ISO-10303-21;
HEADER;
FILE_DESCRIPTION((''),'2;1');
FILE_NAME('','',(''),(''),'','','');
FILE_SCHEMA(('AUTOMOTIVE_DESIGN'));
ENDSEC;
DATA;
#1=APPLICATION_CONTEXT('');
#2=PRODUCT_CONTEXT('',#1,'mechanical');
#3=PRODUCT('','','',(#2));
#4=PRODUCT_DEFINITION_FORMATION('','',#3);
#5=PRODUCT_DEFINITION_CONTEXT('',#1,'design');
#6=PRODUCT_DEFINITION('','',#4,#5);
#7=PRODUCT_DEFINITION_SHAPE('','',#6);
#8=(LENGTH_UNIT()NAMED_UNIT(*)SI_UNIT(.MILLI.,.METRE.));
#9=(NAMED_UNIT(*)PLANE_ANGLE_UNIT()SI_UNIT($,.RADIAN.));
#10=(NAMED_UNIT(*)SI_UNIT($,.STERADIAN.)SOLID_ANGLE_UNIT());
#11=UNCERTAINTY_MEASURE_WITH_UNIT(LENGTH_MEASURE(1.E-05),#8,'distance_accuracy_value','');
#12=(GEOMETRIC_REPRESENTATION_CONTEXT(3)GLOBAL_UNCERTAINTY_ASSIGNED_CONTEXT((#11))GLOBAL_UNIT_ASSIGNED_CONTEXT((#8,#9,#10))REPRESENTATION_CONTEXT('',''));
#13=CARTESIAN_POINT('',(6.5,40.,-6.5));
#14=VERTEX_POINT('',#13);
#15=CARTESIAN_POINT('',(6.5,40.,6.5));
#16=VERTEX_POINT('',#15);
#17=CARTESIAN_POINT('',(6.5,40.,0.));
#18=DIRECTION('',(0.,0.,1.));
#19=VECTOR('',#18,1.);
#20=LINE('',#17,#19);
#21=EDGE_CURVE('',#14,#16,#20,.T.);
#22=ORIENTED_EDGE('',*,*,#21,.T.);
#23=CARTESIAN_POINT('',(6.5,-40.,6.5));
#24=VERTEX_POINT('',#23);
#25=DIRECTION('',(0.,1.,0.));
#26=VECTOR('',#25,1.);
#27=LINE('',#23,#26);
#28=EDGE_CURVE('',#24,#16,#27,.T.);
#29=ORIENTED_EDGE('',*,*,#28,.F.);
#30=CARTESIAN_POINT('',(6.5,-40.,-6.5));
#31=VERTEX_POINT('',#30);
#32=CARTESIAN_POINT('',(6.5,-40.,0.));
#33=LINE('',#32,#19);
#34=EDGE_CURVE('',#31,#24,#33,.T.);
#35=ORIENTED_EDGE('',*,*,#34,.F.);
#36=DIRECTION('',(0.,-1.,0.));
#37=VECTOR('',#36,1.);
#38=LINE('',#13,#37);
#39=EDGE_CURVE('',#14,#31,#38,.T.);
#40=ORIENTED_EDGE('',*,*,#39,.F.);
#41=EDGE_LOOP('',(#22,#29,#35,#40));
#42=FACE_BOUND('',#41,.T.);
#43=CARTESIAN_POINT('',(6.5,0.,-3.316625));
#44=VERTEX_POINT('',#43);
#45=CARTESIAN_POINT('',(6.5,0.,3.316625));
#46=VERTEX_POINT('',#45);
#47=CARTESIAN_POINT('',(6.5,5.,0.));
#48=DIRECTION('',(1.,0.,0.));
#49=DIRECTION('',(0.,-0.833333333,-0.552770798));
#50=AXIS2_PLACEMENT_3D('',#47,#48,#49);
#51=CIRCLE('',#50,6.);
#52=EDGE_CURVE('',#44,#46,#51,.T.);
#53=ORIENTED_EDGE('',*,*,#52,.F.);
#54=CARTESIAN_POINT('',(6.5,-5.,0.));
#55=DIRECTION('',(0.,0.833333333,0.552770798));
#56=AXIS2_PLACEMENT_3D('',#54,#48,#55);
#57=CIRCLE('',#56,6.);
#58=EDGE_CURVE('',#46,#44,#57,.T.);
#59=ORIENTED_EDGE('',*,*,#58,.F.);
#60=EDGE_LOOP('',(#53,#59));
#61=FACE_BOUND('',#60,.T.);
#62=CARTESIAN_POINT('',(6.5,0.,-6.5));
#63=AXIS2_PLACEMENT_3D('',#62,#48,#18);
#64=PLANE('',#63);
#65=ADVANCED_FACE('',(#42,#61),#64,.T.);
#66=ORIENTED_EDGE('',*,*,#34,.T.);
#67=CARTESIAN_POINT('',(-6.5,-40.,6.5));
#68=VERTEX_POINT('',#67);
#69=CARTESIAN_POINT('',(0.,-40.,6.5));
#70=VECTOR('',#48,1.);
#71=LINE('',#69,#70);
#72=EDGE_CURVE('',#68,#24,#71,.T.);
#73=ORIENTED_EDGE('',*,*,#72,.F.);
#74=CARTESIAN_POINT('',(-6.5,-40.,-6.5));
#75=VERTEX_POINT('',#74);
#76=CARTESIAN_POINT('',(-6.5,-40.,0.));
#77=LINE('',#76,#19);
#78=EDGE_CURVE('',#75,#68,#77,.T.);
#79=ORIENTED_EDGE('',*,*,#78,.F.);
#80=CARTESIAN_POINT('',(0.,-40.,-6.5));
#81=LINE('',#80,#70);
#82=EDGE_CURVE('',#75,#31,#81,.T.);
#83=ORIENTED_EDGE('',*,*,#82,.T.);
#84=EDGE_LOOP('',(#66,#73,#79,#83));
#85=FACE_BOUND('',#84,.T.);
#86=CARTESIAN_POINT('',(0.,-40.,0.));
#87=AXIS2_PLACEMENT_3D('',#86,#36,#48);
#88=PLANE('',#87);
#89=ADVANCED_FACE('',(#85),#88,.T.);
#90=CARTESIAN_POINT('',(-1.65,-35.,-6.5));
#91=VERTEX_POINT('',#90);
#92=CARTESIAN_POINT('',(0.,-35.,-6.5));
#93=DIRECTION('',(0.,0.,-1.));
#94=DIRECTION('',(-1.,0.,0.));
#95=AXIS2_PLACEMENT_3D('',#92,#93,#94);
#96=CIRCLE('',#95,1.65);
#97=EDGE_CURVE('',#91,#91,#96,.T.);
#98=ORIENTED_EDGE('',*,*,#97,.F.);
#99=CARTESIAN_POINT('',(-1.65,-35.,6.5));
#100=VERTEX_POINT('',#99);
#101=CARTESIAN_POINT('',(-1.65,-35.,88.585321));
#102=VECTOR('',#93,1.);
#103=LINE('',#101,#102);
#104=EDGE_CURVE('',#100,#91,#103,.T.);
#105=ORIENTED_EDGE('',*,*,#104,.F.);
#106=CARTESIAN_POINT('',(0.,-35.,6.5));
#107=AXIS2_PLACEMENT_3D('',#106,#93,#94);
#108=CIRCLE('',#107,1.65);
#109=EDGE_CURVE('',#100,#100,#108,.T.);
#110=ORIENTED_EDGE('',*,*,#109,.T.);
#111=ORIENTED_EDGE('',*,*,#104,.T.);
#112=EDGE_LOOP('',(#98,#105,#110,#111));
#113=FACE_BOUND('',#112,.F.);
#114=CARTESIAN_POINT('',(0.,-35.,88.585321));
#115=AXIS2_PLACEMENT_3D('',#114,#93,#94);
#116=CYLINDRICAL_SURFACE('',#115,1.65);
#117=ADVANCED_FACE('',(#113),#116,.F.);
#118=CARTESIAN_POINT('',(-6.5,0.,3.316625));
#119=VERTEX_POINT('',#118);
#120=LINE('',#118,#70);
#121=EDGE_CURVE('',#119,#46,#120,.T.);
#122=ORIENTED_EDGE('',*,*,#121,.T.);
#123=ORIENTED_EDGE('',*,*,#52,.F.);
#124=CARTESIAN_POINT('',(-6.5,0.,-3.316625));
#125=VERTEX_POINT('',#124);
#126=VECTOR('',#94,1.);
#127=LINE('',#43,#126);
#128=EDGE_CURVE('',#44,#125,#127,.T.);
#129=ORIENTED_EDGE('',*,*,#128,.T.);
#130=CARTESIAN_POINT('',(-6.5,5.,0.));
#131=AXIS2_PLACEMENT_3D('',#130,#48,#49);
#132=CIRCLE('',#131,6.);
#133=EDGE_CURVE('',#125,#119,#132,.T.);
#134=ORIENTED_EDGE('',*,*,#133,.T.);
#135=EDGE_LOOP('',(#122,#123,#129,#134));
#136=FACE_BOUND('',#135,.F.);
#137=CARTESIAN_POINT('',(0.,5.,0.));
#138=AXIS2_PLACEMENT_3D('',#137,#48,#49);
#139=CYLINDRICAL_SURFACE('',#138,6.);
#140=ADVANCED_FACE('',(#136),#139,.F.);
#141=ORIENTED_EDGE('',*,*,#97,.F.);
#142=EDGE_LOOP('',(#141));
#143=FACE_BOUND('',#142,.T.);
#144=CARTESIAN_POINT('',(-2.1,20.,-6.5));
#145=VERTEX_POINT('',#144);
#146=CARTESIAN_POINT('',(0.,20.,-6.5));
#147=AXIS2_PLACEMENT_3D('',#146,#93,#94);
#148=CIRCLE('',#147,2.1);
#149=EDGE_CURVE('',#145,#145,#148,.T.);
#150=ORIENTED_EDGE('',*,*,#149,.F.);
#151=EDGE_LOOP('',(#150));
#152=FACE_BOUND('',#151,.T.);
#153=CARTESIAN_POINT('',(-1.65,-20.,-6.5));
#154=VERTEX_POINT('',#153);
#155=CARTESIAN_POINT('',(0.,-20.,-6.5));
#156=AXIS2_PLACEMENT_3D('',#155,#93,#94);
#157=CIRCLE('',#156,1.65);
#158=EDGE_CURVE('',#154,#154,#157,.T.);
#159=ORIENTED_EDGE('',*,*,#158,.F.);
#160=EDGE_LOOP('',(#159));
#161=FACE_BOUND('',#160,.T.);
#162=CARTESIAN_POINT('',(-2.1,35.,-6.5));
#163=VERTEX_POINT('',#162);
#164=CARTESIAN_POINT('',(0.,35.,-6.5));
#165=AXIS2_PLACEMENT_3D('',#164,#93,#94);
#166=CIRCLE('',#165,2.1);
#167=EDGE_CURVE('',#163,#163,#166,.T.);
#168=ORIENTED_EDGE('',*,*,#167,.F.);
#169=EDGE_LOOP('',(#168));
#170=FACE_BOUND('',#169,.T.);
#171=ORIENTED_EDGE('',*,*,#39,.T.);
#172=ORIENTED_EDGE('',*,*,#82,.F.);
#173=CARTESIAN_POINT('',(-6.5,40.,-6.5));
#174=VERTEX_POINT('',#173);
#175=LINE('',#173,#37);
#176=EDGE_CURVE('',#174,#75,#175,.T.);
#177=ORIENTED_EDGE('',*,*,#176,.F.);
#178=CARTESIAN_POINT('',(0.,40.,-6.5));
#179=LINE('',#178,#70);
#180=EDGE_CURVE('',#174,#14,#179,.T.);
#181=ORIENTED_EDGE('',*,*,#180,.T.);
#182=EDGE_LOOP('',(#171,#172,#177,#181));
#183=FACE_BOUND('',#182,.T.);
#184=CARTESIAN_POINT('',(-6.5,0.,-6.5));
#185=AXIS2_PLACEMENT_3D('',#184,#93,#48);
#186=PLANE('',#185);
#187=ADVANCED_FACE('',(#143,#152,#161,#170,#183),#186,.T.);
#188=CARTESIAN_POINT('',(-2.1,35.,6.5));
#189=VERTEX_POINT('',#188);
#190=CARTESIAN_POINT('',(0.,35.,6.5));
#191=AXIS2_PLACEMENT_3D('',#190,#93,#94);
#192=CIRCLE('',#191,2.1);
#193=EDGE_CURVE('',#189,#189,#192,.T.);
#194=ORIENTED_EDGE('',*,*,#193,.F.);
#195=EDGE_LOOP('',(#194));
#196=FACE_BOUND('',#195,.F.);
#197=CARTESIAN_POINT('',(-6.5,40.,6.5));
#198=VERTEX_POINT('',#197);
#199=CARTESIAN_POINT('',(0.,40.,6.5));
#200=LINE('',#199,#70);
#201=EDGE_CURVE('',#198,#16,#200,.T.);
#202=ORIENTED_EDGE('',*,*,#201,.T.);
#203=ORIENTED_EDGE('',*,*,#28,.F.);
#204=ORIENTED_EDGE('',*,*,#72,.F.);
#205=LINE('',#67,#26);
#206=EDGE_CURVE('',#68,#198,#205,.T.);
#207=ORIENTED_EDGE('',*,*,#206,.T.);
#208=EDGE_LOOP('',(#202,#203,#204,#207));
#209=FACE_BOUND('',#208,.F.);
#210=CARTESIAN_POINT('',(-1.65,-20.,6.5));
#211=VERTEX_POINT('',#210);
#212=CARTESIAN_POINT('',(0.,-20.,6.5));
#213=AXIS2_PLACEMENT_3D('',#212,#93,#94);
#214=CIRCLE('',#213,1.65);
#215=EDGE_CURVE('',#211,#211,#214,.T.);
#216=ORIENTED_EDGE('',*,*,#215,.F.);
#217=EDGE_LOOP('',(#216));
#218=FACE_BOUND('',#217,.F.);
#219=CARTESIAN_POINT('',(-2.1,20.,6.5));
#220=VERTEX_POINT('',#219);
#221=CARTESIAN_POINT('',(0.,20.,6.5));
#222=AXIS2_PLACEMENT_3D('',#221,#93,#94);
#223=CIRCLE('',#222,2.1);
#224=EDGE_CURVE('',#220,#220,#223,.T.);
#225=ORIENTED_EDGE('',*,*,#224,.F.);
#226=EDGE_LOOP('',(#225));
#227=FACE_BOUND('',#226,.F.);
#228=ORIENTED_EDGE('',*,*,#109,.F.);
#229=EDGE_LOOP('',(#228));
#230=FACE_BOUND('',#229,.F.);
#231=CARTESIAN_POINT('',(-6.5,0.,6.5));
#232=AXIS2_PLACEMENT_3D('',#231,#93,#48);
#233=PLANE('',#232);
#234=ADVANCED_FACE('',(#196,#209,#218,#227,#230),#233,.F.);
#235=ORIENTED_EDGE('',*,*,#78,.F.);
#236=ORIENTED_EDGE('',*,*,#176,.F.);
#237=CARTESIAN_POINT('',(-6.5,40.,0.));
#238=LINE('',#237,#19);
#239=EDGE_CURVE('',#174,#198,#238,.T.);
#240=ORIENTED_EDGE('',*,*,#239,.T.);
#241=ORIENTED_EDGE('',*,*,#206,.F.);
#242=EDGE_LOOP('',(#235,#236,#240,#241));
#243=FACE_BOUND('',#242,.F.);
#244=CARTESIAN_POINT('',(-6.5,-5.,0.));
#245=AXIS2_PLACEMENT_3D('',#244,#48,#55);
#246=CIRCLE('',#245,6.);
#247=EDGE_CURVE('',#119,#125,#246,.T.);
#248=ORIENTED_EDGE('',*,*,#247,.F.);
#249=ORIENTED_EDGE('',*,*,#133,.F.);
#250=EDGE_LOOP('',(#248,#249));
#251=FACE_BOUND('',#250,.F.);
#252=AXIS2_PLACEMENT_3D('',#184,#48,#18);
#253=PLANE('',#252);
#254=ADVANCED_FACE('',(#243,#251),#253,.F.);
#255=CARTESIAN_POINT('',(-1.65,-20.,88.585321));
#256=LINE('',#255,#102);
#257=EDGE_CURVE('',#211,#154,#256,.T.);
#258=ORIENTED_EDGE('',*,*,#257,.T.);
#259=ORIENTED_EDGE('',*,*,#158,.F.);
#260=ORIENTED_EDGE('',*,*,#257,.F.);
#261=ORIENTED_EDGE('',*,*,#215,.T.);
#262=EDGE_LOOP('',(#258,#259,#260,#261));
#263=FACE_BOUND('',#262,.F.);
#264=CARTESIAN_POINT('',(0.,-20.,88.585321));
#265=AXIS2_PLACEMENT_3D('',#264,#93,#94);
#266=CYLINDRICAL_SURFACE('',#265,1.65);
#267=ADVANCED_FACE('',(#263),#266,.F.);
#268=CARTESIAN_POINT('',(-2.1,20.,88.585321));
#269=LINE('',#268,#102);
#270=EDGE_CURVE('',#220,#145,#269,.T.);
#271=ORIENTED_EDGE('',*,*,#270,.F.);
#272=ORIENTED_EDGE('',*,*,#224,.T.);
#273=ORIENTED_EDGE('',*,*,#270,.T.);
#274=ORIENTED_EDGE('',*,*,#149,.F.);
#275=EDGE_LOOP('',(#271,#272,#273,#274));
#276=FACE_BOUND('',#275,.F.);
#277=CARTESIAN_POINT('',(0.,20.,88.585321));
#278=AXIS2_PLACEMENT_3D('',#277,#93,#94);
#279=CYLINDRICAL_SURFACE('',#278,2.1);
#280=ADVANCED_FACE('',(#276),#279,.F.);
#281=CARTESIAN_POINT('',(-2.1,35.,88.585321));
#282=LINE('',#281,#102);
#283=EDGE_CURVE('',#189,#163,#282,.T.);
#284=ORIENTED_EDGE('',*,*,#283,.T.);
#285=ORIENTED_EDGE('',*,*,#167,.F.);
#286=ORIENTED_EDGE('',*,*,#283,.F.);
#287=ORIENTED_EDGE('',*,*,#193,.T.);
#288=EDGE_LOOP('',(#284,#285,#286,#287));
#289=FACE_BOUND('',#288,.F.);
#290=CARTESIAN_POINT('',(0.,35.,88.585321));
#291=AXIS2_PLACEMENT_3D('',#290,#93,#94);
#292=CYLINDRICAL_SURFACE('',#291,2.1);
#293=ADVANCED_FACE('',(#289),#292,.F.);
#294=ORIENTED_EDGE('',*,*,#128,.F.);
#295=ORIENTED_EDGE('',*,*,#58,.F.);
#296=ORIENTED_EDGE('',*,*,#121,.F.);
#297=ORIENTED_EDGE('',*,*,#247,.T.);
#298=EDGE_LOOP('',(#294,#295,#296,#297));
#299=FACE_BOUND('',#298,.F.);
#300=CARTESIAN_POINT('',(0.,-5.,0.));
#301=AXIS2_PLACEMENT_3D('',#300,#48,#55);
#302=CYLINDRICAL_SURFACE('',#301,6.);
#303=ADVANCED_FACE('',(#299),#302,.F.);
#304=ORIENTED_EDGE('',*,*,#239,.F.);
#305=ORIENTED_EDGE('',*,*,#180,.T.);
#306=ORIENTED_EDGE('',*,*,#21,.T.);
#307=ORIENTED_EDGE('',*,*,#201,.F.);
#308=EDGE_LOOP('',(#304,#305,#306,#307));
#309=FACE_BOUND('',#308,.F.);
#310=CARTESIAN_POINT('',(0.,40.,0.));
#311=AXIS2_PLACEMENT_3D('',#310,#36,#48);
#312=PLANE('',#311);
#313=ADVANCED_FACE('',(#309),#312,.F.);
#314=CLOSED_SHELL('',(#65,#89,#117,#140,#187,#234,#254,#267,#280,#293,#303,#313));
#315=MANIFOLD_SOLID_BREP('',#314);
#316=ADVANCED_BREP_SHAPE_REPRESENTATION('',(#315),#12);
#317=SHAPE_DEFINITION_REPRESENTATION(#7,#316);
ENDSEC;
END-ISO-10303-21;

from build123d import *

# Parameters (mm, degrees)
F0_W     = 13
F0_H     = 13
F1_DEPTH = 40
F3_DEPTH = 6.5
F5_D     = 3.3
F6_D     = 4.2


with BuildPart() as f1:
    # F0 (on Front) → F1 (new body, symmetric)
    with BuildSketch(Plane.XZ):
        Rectangle(F0_W, F0_H)
    extrude(amount=F1_DEPTH, both=True)

    # F2 (on Right) → F3 (cut, symmetric)
    with BuildSketch(Plane.YZ):
        with BuildLine():
            ThreePointArc((0, -3.3166247904), (11, 0), (0, 3.3166247904))
            ThreePointArc((0, 3.3166247904), (-11, 0), (0, -3.3166247904))
        make_face()
    extrude(amount=F3_DEPTH, both=True, mode=Mode.SUBTRACT)

    # F5 (through all)
    with Locations(Plane.XY.offset(6.5)):
        with Locations((0, -35), (0, -20)):
            Hole(F5_D / 2)

    # F6 (through all)
    with Locations(Plane.XY.offset(6.5)):
        with Locations((0, 20), (0, 35)):
            Hole(F6_D / 2)


solid = f1.part
